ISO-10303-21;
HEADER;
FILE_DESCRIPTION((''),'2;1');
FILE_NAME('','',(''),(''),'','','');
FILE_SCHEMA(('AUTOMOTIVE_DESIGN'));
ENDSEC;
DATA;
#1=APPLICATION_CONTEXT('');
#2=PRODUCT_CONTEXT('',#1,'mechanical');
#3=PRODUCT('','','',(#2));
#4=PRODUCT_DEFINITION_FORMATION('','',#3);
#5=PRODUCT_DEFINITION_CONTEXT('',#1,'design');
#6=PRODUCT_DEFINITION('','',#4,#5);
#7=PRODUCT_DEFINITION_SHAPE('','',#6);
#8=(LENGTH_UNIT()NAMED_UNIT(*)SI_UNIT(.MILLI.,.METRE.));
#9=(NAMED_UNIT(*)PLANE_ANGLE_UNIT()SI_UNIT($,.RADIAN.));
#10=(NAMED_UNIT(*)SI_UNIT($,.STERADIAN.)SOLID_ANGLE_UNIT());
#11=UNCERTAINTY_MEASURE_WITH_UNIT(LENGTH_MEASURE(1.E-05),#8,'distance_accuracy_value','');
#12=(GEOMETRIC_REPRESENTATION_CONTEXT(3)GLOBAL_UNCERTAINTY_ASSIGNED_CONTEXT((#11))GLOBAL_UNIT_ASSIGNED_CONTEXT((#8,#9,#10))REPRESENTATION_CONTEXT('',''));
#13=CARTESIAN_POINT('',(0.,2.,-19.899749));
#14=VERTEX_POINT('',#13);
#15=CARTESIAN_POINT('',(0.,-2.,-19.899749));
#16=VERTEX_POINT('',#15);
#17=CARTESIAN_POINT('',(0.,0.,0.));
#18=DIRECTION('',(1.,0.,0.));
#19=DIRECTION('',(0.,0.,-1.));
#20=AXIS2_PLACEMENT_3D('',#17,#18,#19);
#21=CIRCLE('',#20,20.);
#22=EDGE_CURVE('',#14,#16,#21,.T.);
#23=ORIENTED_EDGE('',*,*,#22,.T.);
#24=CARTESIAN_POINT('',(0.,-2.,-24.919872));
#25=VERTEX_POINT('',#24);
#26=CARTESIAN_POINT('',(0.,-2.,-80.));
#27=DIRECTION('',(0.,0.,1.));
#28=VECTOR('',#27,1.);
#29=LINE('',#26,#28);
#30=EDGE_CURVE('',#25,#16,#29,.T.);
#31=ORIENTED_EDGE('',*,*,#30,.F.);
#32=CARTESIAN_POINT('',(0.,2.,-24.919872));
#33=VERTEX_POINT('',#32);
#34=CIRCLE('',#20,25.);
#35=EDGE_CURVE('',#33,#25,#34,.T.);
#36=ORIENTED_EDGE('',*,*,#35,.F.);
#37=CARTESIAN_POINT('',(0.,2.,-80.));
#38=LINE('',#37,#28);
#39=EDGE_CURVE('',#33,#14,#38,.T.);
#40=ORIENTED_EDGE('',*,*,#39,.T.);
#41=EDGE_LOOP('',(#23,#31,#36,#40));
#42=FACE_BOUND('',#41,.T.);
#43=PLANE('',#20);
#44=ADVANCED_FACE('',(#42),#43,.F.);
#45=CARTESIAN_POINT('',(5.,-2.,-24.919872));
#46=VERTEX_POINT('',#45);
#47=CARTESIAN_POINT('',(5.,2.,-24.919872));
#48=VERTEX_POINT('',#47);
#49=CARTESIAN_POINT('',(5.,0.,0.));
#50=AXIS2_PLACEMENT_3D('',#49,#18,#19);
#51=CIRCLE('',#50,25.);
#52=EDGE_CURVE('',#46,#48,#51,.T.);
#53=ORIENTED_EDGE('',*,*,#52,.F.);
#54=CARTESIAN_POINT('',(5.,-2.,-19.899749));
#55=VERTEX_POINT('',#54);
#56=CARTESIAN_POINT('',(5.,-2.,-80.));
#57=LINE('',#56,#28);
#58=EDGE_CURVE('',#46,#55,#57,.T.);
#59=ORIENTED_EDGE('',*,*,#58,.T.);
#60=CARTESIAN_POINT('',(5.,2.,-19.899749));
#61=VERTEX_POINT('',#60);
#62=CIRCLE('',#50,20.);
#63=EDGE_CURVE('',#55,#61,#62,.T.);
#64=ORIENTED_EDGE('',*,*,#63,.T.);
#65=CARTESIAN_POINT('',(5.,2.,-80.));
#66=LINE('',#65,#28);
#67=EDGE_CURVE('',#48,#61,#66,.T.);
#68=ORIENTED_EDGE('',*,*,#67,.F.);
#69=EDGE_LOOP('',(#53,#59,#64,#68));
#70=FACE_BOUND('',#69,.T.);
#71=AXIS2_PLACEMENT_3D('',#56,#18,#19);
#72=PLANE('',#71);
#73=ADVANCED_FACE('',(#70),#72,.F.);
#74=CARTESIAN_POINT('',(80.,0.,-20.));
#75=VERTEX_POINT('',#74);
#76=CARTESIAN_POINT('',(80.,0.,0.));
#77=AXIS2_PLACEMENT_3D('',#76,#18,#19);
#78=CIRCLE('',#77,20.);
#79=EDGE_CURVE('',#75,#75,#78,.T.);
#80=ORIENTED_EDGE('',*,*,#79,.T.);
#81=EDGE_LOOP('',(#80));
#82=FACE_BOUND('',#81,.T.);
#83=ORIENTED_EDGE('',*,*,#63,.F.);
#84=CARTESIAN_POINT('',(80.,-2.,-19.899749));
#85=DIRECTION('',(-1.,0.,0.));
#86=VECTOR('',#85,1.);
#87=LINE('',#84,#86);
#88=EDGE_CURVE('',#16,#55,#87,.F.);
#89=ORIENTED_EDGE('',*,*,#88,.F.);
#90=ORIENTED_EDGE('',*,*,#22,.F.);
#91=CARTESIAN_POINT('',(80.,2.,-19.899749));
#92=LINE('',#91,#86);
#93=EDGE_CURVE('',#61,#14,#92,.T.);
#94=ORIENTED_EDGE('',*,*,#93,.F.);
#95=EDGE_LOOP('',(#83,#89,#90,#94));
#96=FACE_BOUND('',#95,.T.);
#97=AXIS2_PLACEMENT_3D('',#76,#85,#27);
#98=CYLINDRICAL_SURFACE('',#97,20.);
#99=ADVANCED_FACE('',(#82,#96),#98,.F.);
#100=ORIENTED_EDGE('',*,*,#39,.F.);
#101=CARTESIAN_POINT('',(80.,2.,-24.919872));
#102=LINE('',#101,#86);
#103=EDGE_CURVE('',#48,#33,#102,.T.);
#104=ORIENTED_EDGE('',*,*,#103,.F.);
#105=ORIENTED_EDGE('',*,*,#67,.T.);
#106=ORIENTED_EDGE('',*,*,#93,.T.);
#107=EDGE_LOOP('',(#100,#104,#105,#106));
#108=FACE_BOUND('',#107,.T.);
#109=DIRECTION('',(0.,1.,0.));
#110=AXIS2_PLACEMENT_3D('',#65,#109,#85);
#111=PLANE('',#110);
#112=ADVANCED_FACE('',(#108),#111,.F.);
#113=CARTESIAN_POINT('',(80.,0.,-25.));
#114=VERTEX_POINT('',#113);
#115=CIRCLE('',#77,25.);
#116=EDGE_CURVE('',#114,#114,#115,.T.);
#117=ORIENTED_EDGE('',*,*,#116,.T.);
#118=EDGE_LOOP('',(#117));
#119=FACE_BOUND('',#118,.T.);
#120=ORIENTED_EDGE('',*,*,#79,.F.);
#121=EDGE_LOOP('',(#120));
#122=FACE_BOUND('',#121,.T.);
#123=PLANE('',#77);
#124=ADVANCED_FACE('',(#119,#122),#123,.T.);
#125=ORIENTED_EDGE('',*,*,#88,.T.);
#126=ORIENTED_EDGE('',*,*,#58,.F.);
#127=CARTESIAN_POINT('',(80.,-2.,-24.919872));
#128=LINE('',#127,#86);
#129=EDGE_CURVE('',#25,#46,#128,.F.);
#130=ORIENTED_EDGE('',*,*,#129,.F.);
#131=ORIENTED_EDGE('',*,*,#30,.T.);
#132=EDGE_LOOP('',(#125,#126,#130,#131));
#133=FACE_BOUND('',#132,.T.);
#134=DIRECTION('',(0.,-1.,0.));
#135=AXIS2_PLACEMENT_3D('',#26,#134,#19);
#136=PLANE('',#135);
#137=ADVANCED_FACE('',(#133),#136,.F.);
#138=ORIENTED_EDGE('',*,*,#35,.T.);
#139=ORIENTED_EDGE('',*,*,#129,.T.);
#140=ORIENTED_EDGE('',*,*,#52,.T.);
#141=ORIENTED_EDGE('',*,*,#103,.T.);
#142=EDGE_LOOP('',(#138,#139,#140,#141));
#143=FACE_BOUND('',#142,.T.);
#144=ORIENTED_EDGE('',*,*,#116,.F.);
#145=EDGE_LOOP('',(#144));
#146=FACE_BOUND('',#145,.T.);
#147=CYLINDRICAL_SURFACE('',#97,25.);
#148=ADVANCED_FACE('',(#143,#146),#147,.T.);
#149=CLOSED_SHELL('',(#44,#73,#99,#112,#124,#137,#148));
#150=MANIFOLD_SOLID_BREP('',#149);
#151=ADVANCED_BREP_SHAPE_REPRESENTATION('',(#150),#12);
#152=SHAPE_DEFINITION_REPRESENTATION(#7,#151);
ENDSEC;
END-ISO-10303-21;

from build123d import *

# Parameters (mm, degrees)
SKETCH_1_R          = 25
SKETCH_1_R_2        = 20
EXTRUDE_1_DEPTH     = 80
SKETCH_2_W          = 5
SKETCH_2_H          = 4
CUT_EXTRUDE_1_DEPTH = 80


with BuildPart() as part:
    # Эскиз1 → Бобышка-Вытянуть1 (new body)
    with BuildSketch(Plane(origin=(0, 0, 0), x_dir=(0, 0, -1), z_dir=(1, 0, 0))):
        Circle(SKETCH_1_R)
        Circle(SKETCH_1_R_2, mode=Mode.SUBTRACT)
    extrude(amount=EXTRUDE_1_DEPTH)

    # Эскиз2 → Вырез-Вытянуть1 (cut)
    with BuildSketch(Plane.XY):
        with Locations((2.5, 0)):
            Rectangle(SKETCH_2_W, SKETCH_2_H)
    extrude(amount=-CUT_EXTRUDE_1_DEPTH, mode=Mode.SUBTRACT)


solid = part.part
